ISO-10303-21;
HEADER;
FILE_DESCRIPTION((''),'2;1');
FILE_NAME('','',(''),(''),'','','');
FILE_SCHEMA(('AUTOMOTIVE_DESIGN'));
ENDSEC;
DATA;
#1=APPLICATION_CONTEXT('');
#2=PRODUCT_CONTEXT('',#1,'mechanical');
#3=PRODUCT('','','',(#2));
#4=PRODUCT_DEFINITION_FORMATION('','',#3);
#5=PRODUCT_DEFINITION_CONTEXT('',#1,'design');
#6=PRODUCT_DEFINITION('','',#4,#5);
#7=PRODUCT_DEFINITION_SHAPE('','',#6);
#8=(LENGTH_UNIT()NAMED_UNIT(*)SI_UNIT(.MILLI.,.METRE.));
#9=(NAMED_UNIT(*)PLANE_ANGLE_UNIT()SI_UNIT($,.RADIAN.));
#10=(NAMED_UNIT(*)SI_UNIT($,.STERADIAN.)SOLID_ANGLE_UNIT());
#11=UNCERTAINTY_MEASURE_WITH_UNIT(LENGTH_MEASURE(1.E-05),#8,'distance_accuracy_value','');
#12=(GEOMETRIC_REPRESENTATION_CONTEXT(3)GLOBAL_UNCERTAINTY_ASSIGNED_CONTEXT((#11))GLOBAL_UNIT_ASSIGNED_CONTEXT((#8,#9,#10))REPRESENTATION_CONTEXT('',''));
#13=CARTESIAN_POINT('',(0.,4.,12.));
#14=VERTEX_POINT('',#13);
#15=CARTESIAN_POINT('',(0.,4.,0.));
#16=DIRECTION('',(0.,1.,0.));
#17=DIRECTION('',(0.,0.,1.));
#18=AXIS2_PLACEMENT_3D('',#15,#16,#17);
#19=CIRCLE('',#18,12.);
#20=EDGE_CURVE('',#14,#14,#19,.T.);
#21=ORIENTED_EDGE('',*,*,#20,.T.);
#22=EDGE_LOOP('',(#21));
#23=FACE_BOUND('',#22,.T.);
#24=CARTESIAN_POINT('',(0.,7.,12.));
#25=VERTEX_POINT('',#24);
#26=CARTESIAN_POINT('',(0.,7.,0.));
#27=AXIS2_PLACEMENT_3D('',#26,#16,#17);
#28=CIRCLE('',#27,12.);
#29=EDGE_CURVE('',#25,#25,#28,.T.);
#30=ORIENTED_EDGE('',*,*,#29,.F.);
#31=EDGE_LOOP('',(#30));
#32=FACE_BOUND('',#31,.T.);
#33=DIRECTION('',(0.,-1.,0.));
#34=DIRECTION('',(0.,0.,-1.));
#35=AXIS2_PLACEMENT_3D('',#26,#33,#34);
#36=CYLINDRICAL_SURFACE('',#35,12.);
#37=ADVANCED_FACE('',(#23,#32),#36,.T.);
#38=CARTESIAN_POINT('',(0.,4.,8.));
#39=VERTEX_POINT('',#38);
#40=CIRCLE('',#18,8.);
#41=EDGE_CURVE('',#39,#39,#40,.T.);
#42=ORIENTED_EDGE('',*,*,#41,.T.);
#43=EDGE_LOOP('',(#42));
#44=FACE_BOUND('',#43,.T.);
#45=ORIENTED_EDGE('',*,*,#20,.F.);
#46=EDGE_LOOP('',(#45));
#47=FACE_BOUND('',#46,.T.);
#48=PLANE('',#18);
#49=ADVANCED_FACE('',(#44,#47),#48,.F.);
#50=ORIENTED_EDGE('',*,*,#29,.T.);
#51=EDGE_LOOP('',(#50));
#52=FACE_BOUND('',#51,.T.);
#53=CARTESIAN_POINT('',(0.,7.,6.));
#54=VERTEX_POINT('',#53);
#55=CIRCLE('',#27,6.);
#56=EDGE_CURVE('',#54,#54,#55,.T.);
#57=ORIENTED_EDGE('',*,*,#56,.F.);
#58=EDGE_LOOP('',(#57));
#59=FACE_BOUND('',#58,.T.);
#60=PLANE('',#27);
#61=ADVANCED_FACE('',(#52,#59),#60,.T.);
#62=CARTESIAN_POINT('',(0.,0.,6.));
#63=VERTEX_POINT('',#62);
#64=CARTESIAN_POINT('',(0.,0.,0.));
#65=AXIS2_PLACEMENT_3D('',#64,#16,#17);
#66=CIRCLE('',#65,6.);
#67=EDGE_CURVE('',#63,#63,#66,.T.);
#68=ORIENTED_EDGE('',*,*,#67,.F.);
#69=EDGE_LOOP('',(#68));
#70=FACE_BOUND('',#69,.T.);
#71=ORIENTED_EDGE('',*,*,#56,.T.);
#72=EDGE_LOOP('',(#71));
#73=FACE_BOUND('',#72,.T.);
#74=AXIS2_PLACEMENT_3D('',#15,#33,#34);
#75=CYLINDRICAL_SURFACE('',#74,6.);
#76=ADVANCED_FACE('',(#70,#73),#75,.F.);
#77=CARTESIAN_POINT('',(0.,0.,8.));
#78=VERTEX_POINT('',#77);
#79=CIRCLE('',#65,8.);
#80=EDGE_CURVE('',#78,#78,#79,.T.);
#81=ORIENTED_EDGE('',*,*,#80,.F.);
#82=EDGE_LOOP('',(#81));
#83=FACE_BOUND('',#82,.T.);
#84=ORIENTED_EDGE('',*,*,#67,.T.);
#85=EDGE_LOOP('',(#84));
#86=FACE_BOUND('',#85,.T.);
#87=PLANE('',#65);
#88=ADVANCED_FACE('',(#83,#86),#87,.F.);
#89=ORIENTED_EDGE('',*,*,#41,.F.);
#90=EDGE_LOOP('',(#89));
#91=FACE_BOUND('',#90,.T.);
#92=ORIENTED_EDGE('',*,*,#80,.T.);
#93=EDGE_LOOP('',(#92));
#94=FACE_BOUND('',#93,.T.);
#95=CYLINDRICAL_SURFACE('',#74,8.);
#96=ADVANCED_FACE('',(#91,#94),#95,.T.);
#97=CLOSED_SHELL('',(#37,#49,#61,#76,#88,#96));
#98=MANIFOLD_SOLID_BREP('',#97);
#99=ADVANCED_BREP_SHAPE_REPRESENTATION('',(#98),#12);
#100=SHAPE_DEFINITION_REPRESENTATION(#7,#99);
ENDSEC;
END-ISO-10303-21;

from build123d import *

# Parameters (mm, degrees)
SKETCH_1_R      = 8
SKETCH_1_R_2    = 6
EXTRUDE_1_DEPTH = 4
SKETCH_2_R      = 12
SKETCH_2_R_2    = 6
EXTRUDE_2_DEPTH = 3


with BuildPart() as part:
    # Эскиз1 → Вытянуть1 (new body)
    with BuildSketch(Plane(origin=(0, 0, 0), x_dir=(1, 0, 0), z_dir=(0, 1, 0))):
        with Locations(Location((0, 0, 0), (0, 0, 270))):
            Circle(SKETCH_1_R)
        with Locations(Location((0, 0, 0), (0, 0, 270))):
            Circle(SKETCH_1_R_2, mode=Mode.SUBTRACT)
    extrude(amount=EXTRUDE_1_DEPTH)

    # Эскиз2 → Вытянуть2 (add)
    with BuildSketch(Plane(origin=(0, 4, 0), x_dir=(-1, 0, 0), z_dir=(0, 1, 0))):
        with Locations(Location((0, 0, 0), (0, 0, 90))):
            Circle(SKETCH_2_R)
        with Locations(Location((0, 0, 0), (0, 0, 90))):
            Circle(SKETCH_2_R_2, mode=Mode.SUBTRACT)
    extrude(amount=EXTRUDE_2_DEPTH)


solid = part.part
